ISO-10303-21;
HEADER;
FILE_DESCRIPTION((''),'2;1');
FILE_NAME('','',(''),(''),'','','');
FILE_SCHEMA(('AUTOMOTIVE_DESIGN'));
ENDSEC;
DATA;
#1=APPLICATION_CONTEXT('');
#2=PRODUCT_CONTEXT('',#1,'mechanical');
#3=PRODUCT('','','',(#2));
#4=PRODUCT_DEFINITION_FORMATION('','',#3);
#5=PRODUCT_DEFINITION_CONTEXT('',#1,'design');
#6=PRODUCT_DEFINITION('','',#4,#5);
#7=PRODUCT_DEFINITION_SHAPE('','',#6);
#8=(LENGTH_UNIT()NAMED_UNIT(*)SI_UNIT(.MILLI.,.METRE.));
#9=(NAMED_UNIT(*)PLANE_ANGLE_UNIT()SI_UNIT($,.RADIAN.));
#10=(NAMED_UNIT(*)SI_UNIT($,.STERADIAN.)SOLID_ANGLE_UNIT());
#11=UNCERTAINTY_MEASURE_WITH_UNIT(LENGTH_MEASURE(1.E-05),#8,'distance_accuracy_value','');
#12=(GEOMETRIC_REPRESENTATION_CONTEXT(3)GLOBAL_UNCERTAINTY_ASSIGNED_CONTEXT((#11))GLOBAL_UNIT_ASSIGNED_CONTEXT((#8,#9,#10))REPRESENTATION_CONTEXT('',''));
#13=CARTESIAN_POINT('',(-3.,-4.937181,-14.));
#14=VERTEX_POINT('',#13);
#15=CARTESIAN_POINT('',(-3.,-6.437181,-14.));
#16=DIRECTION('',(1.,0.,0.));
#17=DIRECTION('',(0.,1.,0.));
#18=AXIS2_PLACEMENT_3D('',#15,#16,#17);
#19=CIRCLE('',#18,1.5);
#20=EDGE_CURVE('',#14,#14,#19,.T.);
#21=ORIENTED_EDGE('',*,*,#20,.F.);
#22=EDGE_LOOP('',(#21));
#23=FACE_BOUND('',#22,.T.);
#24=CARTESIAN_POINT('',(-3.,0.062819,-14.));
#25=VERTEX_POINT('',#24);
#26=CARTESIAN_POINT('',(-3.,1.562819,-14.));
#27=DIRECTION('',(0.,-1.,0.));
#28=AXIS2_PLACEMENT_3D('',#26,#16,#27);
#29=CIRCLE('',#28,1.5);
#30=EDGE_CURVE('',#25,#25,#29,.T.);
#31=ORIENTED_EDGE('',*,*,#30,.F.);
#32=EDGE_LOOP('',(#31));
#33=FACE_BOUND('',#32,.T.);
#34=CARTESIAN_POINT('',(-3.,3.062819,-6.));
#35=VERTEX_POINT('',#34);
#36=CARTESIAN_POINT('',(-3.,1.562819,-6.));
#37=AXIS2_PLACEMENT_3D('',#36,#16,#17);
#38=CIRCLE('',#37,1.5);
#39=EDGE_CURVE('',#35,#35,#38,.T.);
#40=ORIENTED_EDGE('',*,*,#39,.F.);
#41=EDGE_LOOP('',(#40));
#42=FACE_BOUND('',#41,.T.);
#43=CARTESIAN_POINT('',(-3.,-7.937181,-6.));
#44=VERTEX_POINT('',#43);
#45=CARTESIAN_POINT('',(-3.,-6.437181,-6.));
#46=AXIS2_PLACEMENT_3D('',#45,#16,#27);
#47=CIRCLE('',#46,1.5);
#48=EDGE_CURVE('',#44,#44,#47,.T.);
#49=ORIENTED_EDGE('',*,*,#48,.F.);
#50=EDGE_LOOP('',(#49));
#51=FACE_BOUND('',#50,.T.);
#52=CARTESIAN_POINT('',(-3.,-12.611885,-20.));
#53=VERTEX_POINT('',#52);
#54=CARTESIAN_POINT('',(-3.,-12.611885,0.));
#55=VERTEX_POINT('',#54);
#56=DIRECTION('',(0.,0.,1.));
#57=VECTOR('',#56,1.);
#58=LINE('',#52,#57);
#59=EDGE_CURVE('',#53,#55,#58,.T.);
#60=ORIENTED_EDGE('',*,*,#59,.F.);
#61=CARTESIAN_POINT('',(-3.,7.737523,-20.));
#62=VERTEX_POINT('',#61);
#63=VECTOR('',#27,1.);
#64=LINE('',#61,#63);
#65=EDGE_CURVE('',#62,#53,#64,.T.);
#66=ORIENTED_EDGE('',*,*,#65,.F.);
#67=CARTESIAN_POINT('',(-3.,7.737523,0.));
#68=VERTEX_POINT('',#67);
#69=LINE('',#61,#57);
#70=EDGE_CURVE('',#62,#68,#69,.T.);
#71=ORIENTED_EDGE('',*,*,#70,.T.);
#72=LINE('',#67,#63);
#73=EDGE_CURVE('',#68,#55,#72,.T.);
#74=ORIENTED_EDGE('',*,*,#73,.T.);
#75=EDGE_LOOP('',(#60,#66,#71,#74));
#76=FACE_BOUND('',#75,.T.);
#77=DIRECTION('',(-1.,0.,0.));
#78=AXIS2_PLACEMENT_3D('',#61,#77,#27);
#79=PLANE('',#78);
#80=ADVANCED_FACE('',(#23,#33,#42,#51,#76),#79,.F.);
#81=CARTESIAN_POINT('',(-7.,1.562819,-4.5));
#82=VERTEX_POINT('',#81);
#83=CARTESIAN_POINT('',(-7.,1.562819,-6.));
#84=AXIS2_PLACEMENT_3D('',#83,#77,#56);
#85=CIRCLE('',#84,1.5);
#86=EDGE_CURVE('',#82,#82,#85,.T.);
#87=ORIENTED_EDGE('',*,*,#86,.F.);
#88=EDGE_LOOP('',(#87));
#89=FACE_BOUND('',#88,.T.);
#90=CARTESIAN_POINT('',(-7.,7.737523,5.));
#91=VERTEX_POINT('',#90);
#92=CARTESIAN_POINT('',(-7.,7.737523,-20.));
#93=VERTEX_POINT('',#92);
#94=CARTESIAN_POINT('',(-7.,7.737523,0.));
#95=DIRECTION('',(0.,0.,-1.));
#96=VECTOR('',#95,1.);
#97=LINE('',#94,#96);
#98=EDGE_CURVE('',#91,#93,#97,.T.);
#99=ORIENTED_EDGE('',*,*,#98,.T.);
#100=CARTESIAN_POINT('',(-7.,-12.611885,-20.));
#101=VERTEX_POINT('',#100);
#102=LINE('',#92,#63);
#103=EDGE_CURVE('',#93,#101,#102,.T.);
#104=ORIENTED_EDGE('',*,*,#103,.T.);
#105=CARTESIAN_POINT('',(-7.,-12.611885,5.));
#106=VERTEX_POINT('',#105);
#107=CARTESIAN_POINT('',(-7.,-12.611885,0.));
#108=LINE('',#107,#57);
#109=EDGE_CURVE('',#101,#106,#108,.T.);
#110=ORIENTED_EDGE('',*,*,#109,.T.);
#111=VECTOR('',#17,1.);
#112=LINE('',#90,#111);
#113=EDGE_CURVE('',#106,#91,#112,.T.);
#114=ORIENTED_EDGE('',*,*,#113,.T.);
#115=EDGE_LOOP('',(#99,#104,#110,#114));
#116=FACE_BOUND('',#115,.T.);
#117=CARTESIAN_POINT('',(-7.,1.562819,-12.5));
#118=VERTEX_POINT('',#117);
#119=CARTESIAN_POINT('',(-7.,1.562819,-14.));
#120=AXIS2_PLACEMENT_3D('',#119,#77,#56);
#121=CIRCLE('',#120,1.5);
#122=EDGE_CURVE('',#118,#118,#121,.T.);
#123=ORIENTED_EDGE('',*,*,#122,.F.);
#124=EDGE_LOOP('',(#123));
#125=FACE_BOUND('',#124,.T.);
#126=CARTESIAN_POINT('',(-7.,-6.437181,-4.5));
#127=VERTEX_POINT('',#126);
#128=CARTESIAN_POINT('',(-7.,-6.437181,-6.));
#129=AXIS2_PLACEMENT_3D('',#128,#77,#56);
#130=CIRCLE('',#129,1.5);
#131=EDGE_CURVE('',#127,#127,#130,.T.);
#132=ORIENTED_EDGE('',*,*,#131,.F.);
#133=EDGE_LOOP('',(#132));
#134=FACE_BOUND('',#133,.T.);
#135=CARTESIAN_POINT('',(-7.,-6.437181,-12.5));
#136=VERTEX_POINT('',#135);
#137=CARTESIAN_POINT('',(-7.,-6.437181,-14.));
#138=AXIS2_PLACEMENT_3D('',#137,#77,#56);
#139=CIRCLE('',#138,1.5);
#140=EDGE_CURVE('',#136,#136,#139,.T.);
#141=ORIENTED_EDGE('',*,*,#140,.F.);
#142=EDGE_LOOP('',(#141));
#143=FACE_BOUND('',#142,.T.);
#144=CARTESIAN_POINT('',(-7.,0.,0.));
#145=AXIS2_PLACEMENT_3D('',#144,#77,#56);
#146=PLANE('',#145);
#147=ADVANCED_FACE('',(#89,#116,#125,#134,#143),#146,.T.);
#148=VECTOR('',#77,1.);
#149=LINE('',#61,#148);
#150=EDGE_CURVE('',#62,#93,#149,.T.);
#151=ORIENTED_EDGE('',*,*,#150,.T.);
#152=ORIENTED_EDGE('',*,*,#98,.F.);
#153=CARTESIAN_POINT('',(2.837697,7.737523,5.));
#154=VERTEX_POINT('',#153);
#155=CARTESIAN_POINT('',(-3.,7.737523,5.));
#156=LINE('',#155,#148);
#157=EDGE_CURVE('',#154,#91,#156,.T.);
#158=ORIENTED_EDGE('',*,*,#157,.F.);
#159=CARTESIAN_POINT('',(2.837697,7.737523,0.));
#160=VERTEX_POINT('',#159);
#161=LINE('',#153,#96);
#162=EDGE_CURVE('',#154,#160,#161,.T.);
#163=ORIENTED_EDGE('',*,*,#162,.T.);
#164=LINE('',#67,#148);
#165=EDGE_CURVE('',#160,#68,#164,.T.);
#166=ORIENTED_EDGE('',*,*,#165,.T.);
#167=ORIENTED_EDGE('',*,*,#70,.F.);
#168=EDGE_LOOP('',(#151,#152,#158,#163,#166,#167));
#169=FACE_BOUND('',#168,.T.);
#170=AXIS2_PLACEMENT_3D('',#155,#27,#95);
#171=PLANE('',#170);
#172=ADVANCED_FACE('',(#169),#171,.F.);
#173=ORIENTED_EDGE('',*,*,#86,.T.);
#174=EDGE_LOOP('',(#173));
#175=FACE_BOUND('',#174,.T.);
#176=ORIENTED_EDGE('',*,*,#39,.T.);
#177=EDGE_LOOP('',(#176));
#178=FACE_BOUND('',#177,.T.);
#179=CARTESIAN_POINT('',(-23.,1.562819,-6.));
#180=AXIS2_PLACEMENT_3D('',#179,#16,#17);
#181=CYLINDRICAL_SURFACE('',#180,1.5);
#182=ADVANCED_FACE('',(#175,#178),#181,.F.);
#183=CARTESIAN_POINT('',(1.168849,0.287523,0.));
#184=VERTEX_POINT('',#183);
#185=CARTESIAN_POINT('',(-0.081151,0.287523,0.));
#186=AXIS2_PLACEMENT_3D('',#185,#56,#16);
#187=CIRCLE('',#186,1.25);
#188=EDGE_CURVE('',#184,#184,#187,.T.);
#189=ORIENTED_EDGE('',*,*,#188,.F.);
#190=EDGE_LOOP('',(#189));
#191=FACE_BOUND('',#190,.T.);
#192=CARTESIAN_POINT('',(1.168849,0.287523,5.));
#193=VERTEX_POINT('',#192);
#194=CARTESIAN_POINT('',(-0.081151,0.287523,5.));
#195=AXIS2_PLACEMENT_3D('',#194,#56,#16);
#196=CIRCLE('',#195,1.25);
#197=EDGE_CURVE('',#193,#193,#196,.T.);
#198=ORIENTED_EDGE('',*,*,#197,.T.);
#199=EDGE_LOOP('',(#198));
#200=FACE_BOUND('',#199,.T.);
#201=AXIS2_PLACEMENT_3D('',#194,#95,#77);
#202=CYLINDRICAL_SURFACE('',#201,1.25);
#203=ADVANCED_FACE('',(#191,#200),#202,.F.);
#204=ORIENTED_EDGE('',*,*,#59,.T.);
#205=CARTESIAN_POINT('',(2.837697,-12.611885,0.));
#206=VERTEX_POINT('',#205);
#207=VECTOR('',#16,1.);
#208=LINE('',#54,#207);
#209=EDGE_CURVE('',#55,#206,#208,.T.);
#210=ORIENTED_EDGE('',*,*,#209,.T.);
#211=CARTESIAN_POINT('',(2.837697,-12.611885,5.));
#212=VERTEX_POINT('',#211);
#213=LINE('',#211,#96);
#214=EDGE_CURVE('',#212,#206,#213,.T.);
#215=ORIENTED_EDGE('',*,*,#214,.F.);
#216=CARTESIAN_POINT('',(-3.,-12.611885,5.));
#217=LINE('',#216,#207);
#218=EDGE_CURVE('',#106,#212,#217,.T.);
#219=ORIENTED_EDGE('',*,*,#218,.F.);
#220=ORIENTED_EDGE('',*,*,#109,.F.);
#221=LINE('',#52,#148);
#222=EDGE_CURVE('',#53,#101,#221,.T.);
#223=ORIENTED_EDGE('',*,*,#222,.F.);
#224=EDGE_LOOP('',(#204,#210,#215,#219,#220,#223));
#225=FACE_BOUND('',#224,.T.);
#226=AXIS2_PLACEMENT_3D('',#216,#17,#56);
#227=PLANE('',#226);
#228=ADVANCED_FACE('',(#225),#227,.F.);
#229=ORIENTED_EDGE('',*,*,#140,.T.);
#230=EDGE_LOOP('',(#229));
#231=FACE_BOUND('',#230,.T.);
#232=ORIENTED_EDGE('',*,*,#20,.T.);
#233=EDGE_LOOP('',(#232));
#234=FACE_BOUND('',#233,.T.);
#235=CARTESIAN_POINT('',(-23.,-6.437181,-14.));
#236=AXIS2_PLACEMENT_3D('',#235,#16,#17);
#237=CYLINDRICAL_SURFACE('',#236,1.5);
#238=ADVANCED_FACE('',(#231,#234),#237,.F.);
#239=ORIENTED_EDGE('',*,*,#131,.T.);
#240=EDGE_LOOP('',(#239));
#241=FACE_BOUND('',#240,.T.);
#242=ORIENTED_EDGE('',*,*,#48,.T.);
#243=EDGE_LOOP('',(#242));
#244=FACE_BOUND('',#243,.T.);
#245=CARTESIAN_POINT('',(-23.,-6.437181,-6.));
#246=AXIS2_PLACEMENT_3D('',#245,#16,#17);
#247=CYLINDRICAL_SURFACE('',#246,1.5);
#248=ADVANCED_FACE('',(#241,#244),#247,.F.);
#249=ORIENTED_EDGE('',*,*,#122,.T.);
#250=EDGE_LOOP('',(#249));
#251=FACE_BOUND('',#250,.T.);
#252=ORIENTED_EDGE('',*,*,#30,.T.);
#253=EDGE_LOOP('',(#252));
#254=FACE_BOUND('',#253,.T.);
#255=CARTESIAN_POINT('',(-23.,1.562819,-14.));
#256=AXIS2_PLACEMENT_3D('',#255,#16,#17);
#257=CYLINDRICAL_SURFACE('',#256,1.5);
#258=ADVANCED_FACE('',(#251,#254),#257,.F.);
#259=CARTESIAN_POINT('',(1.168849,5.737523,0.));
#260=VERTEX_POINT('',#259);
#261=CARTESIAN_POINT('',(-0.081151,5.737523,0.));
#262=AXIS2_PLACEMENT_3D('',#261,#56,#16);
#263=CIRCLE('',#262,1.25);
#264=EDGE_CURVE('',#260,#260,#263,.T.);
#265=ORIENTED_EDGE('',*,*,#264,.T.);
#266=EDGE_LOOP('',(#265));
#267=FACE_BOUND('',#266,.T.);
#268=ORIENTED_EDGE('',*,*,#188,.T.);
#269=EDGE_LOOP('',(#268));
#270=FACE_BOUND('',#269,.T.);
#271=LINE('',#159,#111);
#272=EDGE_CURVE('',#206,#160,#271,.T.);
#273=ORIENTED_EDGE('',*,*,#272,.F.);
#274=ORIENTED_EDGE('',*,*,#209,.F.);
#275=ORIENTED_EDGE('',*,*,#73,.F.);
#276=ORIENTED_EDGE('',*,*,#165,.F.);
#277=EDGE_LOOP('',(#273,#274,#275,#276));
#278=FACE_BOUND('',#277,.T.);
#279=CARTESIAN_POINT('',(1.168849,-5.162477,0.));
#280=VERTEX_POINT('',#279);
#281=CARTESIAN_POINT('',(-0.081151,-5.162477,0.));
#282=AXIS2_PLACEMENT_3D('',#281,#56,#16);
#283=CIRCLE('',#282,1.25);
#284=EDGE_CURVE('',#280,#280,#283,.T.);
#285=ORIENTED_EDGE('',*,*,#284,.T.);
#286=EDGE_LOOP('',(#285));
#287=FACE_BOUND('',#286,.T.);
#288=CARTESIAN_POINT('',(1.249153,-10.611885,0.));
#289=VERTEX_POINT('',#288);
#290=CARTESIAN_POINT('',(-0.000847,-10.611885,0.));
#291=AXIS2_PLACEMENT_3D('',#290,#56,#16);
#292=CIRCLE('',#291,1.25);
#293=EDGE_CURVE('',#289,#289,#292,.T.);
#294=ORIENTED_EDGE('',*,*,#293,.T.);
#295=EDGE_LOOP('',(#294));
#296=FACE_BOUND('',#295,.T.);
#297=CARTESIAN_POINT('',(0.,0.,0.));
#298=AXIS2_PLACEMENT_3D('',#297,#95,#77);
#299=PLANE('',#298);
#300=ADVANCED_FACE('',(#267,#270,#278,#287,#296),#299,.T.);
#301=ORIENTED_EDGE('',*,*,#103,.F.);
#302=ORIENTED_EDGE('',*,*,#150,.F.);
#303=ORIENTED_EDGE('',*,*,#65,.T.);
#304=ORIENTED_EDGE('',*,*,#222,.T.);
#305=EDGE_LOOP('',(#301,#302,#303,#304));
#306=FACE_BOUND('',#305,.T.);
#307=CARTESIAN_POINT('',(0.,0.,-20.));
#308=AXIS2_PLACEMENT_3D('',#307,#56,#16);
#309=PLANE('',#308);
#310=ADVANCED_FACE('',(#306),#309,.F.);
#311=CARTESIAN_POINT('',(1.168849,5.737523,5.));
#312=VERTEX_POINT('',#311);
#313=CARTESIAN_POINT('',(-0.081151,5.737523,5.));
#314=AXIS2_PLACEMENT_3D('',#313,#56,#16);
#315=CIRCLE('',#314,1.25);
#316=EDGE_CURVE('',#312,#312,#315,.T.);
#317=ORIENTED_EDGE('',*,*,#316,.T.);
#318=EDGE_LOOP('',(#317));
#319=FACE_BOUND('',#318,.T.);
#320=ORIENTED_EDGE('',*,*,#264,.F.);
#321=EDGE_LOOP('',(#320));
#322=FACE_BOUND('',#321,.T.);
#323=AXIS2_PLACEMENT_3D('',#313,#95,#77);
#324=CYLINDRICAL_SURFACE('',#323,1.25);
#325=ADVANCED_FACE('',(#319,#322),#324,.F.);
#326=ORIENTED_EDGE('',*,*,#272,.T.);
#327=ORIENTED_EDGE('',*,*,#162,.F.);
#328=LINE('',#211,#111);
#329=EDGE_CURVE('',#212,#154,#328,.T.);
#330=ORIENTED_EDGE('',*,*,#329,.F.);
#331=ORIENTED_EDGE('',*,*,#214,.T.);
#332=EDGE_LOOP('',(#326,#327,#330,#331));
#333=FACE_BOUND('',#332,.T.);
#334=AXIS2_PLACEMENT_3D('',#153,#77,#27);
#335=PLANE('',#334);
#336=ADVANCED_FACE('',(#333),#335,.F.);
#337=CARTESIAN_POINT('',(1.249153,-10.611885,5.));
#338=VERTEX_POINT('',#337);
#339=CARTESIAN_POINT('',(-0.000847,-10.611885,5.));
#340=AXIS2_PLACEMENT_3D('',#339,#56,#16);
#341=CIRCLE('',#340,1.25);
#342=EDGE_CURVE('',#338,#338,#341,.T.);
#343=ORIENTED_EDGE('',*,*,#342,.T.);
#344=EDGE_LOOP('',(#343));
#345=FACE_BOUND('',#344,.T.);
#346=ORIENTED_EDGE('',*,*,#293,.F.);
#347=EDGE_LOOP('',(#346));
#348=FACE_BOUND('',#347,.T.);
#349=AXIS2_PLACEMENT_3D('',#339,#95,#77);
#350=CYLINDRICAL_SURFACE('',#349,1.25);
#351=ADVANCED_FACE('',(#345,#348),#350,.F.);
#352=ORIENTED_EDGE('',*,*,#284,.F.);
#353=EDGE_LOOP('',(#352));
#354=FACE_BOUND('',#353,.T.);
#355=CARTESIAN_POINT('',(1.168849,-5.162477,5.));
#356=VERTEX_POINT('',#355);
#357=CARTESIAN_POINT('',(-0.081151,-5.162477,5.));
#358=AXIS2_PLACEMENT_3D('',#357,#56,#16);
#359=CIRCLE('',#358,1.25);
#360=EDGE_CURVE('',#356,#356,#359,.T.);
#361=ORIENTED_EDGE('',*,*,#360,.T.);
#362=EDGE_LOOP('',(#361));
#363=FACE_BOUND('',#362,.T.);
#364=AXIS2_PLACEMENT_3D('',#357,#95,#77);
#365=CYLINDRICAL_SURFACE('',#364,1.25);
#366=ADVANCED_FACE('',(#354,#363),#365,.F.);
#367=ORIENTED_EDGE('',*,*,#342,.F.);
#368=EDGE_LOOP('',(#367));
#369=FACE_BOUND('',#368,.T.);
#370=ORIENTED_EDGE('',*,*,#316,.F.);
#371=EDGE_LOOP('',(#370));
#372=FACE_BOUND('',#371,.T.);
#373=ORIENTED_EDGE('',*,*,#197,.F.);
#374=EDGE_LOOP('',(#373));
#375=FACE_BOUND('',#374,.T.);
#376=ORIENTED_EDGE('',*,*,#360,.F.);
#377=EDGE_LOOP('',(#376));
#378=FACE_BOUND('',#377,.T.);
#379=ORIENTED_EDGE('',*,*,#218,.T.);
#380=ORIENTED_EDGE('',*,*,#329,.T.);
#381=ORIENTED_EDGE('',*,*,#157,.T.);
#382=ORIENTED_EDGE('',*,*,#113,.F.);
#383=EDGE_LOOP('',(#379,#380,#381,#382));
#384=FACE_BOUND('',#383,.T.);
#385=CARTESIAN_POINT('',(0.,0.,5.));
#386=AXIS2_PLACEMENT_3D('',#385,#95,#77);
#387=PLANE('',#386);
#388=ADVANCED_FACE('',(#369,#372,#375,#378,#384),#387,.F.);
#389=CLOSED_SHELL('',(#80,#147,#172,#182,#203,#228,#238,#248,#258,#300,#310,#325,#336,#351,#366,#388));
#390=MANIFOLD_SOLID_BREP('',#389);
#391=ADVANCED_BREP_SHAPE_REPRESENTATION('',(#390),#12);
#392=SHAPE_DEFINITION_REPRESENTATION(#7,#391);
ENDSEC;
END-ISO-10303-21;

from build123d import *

# Parameters (mm, degrees)
SKETCH_1_R          = 1.25
EXTRUDE_1_DEPTH     = 5
SKETCH_2_W          = 5
SKETCH_2_H          = 20.349408335
EXTRUDE_2_DEPTH     = 4
SKETCH_3_W          = 4
SKETCH_3_H          = 20.349408335
EXTRUDE_3_DEPTH     = 20
SKETCH_4_R          = 1.5
CUT_EXTRUDE_1_DEPTH = 20


with BuildPart() as part:
    # 草图1 → 凸台-拉伸1 (new body)
    with BuildSketch(Plane.XY):
        Polygon((-3, -8.027992706), (-3, -12.611885422), (2.837697315, -12.611885422), (2.837697315, -6.641886627), (2.837697315, 7.737522913), (-3, 7.737522913), align=None)
        with Locations((-0.081151343, 5.737522913)):
            Circle(SKETCH_1_R, mode=Mode.SUBTRACT)
        with Locations((-0.081151343, 0.287522913)):
            Circle(SKETCH_1_R, mode=Mode.SUBTRACT)
        with Locations((-0.081151343, -5.162477087)):
            Circle(SKETCH_1_R, mode=Mode.SUBTRACT)
        with Locations((-0.000846901, -10.611885422)):
            Circle(SKETCH_1_R, mode=Mode.SUBTRACT)
    extrude(amount=EXTRUDE_1_DEPTH)

    # 草图2 → 凸台-拉伸2 (add)
    with BuildSketch(Plane.ZY.offset(3)):
        with Locations((2.5, -2.437181255)):
            Rectangle(SKETCH_2_W, SKETCH_2_H)
    extrude(amount=EXTRUDE_2_DEPTH)

    # 草图3 → 凸台-拉伸3 (add)
    with BuildSketch(Plane(origin=(0, 0, 0), x_dir=(-1, 0, 0), z_dir=(0, 0, -1))):
        with Locations((5, -2.437181255)):
            Rectangle(SKETCH_3_W, SKETCH_3_H)
    extrude(amount=EXTRUDE_3_DEPTH)

    # 草图4 → 切除-拉伸1 (cut)
    with BuildSketch(Plane(origin=(-3, 0, 0), x_dir=(0, 0, -1), z_dir=(1, 0, 0))):
        with Locations(Location((6, 1.562818745, 0), (0, 0, 90))):
            Circle(SKETCH_4_R)
        with Locations(Location((14, 1.562818745, 0), (0, 0, 180))):
            Circle(SKETCH_4_R)
        with Locations(Location((14, -6.437181255, 0), (0, 0, 90))):
            Circle(SKETCH_4_R)
        with Locations(Location((6, -6.437181255, 0), (0, 0, 180))):
            Circle(SKETCH_4_R)
    extrude(amount=-CUT_EXTRUDE_1_DEPTH, mode=Mode.SUBTRACT)


solid = part.part
